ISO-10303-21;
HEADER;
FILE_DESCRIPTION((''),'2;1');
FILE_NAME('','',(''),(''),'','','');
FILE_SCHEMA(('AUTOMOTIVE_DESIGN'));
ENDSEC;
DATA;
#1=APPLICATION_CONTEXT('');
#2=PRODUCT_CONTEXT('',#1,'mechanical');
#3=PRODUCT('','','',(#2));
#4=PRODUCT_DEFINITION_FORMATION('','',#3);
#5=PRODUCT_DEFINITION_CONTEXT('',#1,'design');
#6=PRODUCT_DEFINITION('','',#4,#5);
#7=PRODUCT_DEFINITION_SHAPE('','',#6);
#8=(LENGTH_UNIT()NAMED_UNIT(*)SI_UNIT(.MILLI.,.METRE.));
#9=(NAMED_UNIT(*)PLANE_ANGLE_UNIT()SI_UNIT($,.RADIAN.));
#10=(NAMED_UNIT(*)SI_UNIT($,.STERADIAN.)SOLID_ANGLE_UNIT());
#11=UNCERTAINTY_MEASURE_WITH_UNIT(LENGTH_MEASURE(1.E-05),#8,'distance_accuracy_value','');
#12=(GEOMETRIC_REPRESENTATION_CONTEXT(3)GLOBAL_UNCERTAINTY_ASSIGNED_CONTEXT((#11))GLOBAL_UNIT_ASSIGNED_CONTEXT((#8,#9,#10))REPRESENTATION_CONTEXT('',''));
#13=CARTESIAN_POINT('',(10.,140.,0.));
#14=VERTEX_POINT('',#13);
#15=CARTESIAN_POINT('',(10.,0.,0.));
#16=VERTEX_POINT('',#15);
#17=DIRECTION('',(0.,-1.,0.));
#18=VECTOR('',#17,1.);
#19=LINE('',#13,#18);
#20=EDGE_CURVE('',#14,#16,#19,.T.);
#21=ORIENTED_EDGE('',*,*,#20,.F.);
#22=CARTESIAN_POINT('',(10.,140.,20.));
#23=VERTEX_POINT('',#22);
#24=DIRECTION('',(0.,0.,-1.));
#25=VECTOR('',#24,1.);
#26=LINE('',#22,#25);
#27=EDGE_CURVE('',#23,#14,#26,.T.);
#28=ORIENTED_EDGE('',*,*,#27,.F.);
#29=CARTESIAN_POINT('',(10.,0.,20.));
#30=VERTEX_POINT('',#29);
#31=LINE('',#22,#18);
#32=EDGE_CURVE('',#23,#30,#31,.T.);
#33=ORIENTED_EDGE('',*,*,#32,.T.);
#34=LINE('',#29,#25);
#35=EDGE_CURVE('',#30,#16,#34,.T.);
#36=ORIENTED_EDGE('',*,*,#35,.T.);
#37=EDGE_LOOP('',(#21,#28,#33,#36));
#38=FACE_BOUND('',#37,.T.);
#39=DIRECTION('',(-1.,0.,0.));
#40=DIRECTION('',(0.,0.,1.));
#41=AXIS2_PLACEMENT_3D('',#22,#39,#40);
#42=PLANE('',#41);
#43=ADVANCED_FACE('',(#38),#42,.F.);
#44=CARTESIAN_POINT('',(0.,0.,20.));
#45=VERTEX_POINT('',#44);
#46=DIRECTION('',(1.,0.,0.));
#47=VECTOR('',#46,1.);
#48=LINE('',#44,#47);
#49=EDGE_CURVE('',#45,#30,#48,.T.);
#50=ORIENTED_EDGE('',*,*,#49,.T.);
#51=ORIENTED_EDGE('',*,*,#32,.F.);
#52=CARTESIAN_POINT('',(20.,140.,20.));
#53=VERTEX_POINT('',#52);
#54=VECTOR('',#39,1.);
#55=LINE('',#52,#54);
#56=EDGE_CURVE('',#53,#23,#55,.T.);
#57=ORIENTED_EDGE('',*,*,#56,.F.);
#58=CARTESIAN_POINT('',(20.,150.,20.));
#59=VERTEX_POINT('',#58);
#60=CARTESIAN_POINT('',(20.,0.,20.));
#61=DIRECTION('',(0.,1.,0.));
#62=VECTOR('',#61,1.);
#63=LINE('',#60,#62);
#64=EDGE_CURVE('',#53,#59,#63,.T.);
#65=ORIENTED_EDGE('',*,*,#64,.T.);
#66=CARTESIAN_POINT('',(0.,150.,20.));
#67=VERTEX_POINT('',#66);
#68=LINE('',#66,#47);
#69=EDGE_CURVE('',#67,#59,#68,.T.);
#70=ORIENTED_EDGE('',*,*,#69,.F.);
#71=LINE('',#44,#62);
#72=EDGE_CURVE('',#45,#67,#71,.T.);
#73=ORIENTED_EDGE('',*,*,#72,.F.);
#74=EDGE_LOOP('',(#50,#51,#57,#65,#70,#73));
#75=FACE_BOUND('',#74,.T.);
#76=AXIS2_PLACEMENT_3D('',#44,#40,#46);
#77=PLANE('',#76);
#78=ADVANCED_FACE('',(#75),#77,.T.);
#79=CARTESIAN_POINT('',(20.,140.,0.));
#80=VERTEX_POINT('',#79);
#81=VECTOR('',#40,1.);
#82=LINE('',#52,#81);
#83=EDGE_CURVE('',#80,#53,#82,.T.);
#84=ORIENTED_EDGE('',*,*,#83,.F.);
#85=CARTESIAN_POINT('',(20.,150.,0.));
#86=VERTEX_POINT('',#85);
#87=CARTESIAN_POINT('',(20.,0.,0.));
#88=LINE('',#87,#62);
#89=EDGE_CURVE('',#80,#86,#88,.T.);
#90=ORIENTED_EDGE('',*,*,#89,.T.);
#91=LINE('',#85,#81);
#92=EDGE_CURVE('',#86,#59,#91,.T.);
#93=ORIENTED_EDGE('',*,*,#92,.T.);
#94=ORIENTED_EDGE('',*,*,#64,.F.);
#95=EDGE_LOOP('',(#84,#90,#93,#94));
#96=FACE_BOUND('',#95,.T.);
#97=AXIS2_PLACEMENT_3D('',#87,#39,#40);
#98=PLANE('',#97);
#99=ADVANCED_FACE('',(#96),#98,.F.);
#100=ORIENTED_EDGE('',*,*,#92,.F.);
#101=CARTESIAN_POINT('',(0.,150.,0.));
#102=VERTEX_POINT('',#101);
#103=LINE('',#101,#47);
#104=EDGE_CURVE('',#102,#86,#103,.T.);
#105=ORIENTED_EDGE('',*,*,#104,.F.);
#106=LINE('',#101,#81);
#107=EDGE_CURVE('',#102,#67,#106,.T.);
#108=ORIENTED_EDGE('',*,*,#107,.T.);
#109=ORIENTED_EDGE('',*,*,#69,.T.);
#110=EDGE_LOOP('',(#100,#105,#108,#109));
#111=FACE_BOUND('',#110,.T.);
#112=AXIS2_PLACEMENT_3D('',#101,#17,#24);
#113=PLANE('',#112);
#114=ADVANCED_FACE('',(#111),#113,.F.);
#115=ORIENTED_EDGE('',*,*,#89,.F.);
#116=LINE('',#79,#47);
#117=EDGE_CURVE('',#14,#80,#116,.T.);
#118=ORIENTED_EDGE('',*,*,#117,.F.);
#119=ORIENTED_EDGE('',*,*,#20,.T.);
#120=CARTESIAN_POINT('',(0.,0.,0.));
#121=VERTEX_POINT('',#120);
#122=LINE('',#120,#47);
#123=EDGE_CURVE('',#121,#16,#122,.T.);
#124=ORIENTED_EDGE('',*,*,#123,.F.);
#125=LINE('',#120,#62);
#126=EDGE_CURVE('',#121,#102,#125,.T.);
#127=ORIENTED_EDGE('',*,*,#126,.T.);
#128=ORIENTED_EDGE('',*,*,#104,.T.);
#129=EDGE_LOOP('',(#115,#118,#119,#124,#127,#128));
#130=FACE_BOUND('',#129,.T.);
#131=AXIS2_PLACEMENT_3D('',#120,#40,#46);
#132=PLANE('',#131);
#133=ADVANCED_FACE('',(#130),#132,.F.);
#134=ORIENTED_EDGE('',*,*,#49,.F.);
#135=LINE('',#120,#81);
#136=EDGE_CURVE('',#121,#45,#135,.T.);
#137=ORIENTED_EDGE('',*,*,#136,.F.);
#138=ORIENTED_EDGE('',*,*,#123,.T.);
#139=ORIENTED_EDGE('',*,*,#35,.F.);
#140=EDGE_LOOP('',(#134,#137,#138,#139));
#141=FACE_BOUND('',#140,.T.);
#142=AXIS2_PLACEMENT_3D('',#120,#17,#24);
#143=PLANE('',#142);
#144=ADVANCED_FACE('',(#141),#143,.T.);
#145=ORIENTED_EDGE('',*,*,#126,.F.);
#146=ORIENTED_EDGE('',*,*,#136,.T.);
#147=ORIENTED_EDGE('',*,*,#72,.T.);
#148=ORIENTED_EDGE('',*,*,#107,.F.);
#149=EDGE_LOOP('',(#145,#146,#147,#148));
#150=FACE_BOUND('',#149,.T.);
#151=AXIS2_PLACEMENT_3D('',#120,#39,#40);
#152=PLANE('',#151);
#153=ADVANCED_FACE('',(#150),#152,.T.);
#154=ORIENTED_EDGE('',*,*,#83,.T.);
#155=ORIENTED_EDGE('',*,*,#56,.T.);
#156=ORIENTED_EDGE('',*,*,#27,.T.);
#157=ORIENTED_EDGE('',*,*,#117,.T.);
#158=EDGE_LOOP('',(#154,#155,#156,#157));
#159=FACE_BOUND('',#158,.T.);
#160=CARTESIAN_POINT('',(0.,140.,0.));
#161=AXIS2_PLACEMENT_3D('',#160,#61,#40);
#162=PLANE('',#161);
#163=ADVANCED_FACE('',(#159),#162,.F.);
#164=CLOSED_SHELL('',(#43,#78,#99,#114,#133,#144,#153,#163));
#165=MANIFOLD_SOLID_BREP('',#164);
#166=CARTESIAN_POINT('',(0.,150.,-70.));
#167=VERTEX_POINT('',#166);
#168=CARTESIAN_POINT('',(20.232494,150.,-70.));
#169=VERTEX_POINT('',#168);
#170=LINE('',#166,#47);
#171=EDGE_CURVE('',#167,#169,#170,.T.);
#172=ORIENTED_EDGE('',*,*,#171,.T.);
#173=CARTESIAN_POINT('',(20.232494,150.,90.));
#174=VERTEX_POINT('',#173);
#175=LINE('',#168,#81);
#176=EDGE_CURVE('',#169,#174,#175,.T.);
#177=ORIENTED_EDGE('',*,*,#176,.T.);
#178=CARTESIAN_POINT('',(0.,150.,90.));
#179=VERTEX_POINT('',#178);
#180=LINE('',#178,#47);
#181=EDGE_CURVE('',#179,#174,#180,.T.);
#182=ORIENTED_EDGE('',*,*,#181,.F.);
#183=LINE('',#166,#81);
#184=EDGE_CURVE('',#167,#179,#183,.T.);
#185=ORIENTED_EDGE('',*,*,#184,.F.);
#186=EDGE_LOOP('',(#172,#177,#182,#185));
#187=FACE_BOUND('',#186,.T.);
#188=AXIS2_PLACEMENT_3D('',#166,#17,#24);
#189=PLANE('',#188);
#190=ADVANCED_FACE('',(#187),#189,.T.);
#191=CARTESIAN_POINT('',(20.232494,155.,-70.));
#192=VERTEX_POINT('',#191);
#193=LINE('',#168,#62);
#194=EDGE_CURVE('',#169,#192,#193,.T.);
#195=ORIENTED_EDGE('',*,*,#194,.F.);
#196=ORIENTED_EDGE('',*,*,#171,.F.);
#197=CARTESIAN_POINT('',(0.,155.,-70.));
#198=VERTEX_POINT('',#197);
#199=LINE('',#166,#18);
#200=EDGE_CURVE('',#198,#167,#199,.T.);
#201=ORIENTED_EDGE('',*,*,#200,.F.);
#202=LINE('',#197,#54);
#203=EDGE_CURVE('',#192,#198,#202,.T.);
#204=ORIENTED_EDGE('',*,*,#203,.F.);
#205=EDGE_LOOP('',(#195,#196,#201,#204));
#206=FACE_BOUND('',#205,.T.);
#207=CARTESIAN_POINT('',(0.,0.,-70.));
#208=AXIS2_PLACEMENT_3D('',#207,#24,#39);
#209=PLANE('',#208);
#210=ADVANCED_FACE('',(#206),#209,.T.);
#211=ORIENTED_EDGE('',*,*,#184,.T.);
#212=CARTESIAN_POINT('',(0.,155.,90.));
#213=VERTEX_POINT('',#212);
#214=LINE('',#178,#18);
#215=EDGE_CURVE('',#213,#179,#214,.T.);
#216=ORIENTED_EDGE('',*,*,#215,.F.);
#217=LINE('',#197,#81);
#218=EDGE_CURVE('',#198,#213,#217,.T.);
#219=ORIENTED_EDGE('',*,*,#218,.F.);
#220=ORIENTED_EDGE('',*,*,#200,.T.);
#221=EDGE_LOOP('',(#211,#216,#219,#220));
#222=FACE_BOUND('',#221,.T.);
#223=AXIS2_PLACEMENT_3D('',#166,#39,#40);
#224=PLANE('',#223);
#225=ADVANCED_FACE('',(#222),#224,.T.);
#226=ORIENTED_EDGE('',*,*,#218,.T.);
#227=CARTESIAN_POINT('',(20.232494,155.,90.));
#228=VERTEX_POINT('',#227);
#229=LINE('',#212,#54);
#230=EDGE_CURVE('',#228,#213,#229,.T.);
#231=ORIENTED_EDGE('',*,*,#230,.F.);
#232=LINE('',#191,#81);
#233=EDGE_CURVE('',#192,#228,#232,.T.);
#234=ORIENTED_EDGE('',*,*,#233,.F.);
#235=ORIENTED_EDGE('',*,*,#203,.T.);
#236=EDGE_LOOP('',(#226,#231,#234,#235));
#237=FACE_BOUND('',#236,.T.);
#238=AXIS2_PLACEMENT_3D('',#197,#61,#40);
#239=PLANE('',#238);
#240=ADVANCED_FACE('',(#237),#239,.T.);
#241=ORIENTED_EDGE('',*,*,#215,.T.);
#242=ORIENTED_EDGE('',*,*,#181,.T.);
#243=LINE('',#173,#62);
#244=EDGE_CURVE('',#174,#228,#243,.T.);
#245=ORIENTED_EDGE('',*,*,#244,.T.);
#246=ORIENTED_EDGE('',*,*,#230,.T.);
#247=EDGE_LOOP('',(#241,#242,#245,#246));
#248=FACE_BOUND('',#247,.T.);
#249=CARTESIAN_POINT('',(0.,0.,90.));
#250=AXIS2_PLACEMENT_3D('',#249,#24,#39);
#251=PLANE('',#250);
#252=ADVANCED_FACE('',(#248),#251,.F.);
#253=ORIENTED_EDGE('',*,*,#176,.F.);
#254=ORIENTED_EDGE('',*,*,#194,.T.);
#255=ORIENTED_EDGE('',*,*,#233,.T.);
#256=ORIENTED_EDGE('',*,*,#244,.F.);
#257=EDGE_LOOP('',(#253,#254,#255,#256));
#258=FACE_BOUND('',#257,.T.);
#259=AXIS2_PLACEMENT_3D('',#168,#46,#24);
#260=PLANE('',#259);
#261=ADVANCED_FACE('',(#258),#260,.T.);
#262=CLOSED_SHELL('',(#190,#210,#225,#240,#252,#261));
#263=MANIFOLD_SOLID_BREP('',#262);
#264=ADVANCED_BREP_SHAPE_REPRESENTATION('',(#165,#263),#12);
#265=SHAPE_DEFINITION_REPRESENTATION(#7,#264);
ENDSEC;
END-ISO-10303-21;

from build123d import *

# Parameters (mm, degrees)
EXTRUDE_1_DEPTH      = 150
EXTRUDE_2_DEPTH      = 70
EXTRUDE_2_DEPTH_BACK = 90
SKETCH_7_W           = 20.232494165
SKETCH_7_H           = 5
SKETCH_8_W           = 10
SKETCH_8_H           = 20
CUT_EXTRUDE_1_DEPTH  = 140


with BuildPart() as part:
    # Sketch 3D_1 → 凸台-拉伸1 (new body)
    with BuildSketch(Plane(origin=(0, 0, 0), x_dir=(0.7071067811865476, 0, 0.7071067811865476), z_dir=(0, 1, 0))):
        Polygon((0, 0), (14.142135624, 14.142135624), (28.284271247, 0), (14.142135624, -14.142135624), align=None)
    extrude(amount=EXTRUDE_1_DEPTH)

    # 草图8 → 切除-拉伸1 (cut)
    with BuildSketch(Plane(origin=(0, 0, 0), x_dir=(-1, 0, 0), z_dir=(0, -1, 0))):
        with Locations((-15, -10)):
            Rectangle(SKETCH_8_W, SKETCH_8_H)
    extrude(amount=-CUT_EXTRUDE_1_DEPTH, mode=Mode.SUBTRACT)


with BuildPart() as body_2:
    # 草图7 → 凸台-拉伸2 (new, two sides: drawn at the far end of the back side and taken through both)
    with BuildSketch(Plane.XY.offset(20).offset(-EXTRUDE_2_DEPTH_BACK)):
        with Locations((10.116247083, 152.5)):
            Rectangle(SKETCH_7_W, SKETCH_7_H)
    extrude(amount=EXTRUDE_2_DEPTH + EXTRUDE_2_DEPTH_BACK)


solid = Compound([part.part, body_2.part])
